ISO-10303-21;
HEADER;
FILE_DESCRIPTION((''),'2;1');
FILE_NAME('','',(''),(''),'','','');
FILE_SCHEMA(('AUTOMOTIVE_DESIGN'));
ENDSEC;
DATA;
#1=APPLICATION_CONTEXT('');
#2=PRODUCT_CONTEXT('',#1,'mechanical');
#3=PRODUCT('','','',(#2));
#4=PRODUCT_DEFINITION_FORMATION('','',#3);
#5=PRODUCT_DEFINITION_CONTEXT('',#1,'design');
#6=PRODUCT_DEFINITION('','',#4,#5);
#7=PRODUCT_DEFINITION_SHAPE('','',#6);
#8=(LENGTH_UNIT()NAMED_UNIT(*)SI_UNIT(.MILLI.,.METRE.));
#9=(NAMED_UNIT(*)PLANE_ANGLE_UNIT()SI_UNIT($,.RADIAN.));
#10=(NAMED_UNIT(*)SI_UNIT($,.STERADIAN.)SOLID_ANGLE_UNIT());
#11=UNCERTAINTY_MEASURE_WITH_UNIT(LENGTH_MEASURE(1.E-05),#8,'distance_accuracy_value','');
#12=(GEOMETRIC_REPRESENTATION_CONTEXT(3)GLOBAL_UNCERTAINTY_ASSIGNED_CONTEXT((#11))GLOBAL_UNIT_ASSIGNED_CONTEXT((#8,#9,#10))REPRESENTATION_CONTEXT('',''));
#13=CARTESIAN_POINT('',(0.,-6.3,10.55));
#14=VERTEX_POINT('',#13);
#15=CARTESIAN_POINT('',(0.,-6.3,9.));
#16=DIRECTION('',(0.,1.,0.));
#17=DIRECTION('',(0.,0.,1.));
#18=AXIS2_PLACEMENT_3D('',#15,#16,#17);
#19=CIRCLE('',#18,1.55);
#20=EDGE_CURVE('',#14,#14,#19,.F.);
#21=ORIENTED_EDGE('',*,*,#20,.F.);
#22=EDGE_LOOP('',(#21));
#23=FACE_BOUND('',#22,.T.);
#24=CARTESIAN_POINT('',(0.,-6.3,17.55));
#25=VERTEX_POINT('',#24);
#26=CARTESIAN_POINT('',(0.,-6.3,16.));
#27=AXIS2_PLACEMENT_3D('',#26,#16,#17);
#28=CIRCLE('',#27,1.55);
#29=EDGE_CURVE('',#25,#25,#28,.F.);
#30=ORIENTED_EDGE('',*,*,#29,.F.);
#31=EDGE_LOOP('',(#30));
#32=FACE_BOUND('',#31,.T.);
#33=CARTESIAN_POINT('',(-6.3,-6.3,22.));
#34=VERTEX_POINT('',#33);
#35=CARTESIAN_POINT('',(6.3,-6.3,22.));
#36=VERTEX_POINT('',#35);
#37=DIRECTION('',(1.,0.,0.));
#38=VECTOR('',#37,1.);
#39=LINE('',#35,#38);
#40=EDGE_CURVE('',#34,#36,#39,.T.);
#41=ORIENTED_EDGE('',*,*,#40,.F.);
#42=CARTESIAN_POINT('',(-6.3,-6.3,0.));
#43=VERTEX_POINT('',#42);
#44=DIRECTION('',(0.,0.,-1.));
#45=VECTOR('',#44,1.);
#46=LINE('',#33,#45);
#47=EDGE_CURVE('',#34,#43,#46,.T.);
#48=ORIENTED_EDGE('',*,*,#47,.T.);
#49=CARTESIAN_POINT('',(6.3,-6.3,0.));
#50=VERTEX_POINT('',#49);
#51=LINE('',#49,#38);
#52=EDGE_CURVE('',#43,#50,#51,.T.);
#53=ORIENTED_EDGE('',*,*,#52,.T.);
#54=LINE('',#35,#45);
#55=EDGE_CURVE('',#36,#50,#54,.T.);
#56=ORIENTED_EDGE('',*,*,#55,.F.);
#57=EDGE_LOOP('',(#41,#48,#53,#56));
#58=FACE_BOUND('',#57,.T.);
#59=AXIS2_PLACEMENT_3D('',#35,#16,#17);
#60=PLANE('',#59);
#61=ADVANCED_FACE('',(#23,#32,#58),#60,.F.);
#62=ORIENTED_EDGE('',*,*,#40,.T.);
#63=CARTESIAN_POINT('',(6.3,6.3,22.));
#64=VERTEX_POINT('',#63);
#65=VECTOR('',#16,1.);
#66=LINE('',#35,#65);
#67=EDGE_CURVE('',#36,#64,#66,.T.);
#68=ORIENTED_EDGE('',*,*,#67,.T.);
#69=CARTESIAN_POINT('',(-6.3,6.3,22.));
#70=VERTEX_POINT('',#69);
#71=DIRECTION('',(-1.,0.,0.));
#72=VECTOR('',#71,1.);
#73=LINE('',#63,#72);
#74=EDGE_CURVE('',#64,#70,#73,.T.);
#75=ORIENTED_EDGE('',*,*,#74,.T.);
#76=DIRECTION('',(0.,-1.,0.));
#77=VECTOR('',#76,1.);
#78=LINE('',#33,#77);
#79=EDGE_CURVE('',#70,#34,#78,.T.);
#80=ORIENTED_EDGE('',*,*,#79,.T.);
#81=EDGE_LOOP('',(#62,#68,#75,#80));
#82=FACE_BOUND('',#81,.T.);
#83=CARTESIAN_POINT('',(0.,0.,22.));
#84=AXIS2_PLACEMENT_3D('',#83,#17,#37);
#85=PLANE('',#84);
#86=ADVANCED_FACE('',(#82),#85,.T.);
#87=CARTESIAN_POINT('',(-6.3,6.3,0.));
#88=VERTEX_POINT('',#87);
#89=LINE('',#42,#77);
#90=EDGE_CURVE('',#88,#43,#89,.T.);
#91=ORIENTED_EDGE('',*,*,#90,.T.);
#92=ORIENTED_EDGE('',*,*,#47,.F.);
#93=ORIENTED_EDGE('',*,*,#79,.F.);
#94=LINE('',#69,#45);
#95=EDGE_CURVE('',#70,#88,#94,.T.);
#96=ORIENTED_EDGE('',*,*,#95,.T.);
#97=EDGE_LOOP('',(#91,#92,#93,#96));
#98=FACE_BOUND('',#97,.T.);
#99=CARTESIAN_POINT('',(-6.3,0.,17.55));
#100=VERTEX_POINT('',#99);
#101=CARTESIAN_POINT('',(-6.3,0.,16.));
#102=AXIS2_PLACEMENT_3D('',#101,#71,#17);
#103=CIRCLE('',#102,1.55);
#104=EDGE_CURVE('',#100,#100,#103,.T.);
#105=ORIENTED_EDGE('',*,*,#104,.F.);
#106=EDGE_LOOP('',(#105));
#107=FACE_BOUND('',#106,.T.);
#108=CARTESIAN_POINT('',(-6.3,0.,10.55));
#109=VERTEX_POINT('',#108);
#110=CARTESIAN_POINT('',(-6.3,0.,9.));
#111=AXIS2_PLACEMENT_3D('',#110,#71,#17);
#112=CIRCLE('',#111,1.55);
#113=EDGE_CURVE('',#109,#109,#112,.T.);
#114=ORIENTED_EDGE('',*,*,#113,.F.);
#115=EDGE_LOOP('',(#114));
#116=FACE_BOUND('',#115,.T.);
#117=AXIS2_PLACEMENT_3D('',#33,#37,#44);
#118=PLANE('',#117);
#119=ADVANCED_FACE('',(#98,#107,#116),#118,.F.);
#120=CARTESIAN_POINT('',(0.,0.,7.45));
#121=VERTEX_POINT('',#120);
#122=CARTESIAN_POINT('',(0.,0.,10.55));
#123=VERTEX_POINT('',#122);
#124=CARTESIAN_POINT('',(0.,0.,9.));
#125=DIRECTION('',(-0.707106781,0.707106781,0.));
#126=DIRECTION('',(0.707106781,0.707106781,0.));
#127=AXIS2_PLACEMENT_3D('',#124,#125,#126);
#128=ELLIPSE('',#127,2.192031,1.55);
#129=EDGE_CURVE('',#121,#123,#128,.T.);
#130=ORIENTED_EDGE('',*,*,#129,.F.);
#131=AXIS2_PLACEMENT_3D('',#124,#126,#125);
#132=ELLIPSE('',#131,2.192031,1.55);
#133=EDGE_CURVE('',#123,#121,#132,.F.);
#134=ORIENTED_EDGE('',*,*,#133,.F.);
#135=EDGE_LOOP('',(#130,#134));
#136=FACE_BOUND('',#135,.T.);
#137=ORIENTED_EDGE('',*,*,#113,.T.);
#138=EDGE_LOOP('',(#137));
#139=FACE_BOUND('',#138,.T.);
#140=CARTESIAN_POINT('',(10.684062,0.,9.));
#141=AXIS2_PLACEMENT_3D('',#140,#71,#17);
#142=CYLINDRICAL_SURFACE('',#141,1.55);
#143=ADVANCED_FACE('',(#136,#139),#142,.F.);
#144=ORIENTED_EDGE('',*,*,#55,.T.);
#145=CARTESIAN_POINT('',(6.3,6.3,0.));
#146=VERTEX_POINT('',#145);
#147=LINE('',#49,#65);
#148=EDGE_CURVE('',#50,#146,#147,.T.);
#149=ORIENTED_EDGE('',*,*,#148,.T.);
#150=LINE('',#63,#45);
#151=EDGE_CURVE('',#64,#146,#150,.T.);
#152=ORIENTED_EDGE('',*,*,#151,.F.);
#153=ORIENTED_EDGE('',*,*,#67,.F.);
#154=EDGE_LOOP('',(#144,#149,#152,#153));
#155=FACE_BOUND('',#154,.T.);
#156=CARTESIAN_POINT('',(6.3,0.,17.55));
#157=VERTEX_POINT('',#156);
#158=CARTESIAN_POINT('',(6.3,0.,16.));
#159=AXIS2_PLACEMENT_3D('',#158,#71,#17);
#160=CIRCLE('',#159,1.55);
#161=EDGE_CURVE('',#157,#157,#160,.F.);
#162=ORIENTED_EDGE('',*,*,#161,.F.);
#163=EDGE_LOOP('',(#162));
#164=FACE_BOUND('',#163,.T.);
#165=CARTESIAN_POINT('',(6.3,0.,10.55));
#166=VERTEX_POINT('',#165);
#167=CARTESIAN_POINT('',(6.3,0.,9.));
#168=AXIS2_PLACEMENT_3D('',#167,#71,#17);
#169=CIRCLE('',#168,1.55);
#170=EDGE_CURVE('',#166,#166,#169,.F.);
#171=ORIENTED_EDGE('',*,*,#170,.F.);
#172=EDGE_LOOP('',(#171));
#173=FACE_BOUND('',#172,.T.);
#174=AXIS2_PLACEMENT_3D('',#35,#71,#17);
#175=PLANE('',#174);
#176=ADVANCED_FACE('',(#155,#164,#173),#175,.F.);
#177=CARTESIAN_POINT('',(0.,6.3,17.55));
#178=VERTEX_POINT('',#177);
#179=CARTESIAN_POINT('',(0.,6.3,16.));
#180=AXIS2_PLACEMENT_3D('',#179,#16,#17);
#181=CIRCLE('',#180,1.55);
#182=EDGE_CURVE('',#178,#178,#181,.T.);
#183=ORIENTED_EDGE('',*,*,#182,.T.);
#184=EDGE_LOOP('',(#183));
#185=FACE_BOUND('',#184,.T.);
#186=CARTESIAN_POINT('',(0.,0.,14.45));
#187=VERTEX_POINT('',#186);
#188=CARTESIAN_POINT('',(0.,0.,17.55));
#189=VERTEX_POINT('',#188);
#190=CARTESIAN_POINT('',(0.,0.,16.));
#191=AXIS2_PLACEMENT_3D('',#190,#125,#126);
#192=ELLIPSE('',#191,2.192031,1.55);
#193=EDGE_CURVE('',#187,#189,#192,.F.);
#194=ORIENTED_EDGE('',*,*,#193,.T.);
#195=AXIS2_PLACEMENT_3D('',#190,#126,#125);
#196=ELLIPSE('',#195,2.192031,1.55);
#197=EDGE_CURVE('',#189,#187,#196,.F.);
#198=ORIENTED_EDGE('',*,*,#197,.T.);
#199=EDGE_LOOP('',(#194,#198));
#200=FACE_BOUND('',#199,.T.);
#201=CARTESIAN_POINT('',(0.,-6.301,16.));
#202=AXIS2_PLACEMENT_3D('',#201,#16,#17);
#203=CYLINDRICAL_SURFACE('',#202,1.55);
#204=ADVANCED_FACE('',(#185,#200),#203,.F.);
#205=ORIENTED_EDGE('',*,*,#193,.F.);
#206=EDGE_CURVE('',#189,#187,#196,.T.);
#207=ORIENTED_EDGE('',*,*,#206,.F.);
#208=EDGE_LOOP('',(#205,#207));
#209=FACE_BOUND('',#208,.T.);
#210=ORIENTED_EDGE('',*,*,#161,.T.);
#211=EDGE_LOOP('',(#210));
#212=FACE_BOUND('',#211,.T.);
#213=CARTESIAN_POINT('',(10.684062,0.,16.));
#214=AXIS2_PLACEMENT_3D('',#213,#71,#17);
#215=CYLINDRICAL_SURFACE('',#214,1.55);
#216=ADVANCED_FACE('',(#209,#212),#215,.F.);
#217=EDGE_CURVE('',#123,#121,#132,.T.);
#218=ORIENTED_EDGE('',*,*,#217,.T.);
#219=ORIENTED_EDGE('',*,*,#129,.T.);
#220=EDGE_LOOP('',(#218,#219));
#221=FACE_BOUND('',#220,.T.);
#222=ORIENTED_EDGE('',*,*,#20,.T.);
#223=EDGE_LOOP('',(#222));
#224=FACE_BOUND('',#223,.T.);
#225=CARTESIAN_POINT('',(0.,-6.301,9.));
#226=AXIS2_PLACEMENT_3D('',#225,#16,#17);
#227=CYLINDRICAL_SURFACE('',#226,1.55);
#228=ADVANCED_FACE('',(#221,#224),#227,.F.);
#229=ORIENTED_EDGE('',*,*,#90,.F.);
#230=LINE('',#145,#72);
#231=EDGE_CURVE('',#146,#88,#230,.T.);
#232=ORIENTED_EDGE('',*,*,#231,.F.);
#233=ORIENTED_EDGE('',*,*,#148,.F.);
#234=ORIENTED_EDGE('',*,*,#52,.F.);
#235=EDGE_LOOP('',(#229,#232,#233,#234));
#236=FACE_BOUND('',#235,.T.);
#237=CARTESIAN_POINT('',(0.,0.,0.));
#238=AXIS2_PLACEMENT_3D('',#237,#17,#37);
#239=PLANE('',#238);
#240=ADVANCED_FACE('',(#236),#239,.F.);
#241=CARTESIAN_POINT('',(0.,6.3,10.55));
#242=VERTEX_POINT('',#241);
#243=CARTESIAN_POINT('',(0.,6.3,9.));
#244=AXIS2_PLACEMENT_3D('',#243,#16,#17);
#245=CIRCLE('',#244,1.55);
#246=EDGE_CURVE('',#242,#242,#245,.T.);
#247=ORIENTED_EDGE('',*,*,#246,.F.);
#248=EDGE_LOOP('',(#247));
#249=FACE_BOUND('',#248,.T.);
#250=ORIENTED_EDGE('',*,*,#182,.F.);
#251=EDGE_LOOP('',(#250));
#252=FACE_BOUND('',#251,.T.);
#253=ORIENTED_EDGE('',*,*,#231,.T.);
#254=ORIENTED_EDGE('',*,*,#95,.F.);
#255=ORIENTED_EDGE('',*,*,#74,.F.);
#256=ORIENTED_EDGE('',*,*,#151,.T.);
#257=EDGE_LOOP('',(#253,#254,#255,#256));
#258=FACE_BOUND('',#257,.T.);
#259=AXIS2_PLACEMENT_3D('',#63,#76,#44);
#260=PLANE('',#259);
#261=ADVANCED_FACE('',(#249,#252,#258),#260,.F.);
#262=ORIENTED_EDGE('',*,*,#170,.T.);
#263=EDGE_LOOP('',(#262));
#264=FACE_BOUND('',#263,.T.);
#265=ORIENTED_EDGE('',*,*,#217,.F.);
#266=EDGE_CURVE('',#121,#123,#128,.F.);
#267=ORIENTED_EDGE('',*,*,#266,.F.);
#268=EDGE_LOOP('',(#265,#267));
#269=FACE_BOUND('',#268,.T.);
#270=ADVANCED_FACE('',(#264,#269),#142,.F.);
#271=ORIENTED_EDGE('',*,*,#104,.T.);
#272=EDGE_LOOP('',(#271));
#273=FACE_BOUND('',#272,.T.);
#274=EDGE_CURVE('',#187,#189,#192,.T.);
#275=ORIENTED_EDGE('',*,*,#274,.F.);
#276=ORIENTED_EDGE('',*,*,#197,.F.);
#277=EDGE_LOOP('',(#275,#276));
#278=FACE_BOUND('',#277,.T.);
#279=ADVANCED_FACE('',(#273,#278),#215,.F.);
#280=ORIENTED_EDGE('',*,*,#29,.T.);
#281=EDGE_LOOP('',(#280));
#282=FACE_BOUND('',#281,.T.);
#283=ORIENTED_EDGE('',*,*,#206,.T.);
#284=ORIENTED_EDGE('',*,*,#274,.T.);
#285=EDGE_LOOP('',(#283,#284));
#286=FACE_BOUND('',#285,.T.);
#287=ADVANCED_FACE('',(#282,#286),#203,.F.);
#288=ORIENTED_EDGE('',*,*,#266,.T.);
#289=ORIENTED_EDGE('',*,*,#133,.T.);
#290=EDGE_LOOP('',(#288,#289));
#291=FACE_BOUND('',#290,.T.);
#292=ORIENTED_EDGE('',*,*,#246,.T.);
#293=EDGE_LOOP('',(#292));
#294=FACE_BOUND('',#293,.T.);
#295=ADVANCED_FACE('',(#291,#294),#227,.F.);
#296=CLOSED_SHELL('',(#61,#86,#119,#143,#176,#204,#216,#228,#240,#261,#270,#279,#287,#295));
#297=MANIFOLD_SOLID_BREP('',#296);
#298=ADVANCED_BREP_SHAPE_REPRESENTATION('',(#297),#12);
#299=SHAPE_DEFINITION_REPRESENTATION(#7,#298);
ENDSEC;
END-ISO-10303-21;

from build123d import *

# Parameters (mm, degrees)
SKETCH_1_W          = 12.6
SKETCH_1_H          = 12.6
EXTRUDE_1_DEPTH     = 22
CUT_EXTRUDE_1_REACH = 28.124
SKETCH_2_R          = 1.55
CUT_EXTRUDE_2_REACH = 28.124
SKETCH_3_R          = 1.55


with BuildPart() as part:
    # 草图1 → 凸台-拉伸1 (new body)
    with BuildSketch(Plane.XY):
        Rectangle(SKETCH_1_W, SKETCH_1_H)
    extrude(amount=EXTRUDE_1_DEPTH)

    # 草图2 → 切除-拉伸1 (cut, up to next)
    with BuildSketch(Plane(origin=(0, 6.3, 0), x_dir=(1, 0, 0), z_dir=(0, 1, 0)), mode=Mode.PRIVATE) as cut_extrude_1_sk1:
        with Locations(Location((0, -9, 0), (0, 0, 270))):
            Circle(SKETCH_2_R)
    cut_extrude_1_tool1 = extrude(cut_extrude_1_sk1.sketch, amount=-CUT_EXTRUDE_1_REACH, mode=Mode.PRIVATE) & part.part
    # 草图2 → 切除-拉伸1 (cut, up to next)
    with BuildSketch(Plane(origin=(0, 6.3, 0), x_dir=(1, 0, 0), z_dir=(0, 1, 0)), mode=Mode.PRIVATE) as cut_extrude_1_sk2:
        with Locations(Location((0, -16, 0), (0, 0, 270))):
            Circle(SKETCH_2_R)
    cut_extrude_1_tool2 = extrude(cut_extrude_1_sk2.sketch, amount=-CUT_EXTRUDE_1_REACH, mode=Mode.PRIVATE) & part.part
    add(cut_extrude_1_tool1.solids().sort_by_distance((0, 6.3, 9))[0], mode=Mode.SUBTRACT)
    add(cut_extrude_1_tool2.solids().sort_by_distance((0, 6.3, 16))[0], mode=Mode.SUBTRACT)

    # 切除-拉伸2: up to this face of the body (flat: up to its plane)
    cut_extrude_2_end = Plane(part.part.faces().sort_by_distance((6.3, 0, 11))[0])
    # 草图3 → 切除-拉伸2 (cut, up to the picked face)
    with BuildSketch(Plane.ZY.offset(6.3), mode=Mode.PRIVATE) as cut_extrude_2_sk1:
        with Locations((9, 0)):
            Circle(SKETCH_3_R)
    cut_extrude_2_tool1 = split(extrude(cut_extrude_2_sk1.sketch, amount=-CUT_EXTRUDE_2_REACH, mode=Mode.PRIVATE), bisect_by=cut_extrude_2_end, keep=Keep.BOTH, mode=Mode.PRIVATE)
    # 草图3 → 切除-拉伸2 (cut, up to the picked face)
    with BuildSketch(Plane.ZY.offset(6.3), mode=Mode.PRIVATE) as cut_extrude_2_sk2:
        with Locations((16, 0)):
            Circle(SKETCH_3_R)
    cut_extrude_2_tool2 = split(extrude(cut_extrude_2_sk2.sketch, amount=-CUT_EXTRUDE_2_REACH, mode=Mode.PRIVATE), bisect_by=cut_extrude_2_end, keep=Keep.BOTH, mode=Mode.PRIVATE)
    add(cut_extrude_2_tool1.solids().sort_by(Axis((-6.3, 0, 9), (1, 0, 0)))[0], mode=Mode.SUBTRACT)
    add(cut_extrude_2_tool2.solids().sort_by(Axis((-6.3, 0, 16), (1, 0, 0)))[0], mode=Mode.SUBTRACT)


solid = part.part
